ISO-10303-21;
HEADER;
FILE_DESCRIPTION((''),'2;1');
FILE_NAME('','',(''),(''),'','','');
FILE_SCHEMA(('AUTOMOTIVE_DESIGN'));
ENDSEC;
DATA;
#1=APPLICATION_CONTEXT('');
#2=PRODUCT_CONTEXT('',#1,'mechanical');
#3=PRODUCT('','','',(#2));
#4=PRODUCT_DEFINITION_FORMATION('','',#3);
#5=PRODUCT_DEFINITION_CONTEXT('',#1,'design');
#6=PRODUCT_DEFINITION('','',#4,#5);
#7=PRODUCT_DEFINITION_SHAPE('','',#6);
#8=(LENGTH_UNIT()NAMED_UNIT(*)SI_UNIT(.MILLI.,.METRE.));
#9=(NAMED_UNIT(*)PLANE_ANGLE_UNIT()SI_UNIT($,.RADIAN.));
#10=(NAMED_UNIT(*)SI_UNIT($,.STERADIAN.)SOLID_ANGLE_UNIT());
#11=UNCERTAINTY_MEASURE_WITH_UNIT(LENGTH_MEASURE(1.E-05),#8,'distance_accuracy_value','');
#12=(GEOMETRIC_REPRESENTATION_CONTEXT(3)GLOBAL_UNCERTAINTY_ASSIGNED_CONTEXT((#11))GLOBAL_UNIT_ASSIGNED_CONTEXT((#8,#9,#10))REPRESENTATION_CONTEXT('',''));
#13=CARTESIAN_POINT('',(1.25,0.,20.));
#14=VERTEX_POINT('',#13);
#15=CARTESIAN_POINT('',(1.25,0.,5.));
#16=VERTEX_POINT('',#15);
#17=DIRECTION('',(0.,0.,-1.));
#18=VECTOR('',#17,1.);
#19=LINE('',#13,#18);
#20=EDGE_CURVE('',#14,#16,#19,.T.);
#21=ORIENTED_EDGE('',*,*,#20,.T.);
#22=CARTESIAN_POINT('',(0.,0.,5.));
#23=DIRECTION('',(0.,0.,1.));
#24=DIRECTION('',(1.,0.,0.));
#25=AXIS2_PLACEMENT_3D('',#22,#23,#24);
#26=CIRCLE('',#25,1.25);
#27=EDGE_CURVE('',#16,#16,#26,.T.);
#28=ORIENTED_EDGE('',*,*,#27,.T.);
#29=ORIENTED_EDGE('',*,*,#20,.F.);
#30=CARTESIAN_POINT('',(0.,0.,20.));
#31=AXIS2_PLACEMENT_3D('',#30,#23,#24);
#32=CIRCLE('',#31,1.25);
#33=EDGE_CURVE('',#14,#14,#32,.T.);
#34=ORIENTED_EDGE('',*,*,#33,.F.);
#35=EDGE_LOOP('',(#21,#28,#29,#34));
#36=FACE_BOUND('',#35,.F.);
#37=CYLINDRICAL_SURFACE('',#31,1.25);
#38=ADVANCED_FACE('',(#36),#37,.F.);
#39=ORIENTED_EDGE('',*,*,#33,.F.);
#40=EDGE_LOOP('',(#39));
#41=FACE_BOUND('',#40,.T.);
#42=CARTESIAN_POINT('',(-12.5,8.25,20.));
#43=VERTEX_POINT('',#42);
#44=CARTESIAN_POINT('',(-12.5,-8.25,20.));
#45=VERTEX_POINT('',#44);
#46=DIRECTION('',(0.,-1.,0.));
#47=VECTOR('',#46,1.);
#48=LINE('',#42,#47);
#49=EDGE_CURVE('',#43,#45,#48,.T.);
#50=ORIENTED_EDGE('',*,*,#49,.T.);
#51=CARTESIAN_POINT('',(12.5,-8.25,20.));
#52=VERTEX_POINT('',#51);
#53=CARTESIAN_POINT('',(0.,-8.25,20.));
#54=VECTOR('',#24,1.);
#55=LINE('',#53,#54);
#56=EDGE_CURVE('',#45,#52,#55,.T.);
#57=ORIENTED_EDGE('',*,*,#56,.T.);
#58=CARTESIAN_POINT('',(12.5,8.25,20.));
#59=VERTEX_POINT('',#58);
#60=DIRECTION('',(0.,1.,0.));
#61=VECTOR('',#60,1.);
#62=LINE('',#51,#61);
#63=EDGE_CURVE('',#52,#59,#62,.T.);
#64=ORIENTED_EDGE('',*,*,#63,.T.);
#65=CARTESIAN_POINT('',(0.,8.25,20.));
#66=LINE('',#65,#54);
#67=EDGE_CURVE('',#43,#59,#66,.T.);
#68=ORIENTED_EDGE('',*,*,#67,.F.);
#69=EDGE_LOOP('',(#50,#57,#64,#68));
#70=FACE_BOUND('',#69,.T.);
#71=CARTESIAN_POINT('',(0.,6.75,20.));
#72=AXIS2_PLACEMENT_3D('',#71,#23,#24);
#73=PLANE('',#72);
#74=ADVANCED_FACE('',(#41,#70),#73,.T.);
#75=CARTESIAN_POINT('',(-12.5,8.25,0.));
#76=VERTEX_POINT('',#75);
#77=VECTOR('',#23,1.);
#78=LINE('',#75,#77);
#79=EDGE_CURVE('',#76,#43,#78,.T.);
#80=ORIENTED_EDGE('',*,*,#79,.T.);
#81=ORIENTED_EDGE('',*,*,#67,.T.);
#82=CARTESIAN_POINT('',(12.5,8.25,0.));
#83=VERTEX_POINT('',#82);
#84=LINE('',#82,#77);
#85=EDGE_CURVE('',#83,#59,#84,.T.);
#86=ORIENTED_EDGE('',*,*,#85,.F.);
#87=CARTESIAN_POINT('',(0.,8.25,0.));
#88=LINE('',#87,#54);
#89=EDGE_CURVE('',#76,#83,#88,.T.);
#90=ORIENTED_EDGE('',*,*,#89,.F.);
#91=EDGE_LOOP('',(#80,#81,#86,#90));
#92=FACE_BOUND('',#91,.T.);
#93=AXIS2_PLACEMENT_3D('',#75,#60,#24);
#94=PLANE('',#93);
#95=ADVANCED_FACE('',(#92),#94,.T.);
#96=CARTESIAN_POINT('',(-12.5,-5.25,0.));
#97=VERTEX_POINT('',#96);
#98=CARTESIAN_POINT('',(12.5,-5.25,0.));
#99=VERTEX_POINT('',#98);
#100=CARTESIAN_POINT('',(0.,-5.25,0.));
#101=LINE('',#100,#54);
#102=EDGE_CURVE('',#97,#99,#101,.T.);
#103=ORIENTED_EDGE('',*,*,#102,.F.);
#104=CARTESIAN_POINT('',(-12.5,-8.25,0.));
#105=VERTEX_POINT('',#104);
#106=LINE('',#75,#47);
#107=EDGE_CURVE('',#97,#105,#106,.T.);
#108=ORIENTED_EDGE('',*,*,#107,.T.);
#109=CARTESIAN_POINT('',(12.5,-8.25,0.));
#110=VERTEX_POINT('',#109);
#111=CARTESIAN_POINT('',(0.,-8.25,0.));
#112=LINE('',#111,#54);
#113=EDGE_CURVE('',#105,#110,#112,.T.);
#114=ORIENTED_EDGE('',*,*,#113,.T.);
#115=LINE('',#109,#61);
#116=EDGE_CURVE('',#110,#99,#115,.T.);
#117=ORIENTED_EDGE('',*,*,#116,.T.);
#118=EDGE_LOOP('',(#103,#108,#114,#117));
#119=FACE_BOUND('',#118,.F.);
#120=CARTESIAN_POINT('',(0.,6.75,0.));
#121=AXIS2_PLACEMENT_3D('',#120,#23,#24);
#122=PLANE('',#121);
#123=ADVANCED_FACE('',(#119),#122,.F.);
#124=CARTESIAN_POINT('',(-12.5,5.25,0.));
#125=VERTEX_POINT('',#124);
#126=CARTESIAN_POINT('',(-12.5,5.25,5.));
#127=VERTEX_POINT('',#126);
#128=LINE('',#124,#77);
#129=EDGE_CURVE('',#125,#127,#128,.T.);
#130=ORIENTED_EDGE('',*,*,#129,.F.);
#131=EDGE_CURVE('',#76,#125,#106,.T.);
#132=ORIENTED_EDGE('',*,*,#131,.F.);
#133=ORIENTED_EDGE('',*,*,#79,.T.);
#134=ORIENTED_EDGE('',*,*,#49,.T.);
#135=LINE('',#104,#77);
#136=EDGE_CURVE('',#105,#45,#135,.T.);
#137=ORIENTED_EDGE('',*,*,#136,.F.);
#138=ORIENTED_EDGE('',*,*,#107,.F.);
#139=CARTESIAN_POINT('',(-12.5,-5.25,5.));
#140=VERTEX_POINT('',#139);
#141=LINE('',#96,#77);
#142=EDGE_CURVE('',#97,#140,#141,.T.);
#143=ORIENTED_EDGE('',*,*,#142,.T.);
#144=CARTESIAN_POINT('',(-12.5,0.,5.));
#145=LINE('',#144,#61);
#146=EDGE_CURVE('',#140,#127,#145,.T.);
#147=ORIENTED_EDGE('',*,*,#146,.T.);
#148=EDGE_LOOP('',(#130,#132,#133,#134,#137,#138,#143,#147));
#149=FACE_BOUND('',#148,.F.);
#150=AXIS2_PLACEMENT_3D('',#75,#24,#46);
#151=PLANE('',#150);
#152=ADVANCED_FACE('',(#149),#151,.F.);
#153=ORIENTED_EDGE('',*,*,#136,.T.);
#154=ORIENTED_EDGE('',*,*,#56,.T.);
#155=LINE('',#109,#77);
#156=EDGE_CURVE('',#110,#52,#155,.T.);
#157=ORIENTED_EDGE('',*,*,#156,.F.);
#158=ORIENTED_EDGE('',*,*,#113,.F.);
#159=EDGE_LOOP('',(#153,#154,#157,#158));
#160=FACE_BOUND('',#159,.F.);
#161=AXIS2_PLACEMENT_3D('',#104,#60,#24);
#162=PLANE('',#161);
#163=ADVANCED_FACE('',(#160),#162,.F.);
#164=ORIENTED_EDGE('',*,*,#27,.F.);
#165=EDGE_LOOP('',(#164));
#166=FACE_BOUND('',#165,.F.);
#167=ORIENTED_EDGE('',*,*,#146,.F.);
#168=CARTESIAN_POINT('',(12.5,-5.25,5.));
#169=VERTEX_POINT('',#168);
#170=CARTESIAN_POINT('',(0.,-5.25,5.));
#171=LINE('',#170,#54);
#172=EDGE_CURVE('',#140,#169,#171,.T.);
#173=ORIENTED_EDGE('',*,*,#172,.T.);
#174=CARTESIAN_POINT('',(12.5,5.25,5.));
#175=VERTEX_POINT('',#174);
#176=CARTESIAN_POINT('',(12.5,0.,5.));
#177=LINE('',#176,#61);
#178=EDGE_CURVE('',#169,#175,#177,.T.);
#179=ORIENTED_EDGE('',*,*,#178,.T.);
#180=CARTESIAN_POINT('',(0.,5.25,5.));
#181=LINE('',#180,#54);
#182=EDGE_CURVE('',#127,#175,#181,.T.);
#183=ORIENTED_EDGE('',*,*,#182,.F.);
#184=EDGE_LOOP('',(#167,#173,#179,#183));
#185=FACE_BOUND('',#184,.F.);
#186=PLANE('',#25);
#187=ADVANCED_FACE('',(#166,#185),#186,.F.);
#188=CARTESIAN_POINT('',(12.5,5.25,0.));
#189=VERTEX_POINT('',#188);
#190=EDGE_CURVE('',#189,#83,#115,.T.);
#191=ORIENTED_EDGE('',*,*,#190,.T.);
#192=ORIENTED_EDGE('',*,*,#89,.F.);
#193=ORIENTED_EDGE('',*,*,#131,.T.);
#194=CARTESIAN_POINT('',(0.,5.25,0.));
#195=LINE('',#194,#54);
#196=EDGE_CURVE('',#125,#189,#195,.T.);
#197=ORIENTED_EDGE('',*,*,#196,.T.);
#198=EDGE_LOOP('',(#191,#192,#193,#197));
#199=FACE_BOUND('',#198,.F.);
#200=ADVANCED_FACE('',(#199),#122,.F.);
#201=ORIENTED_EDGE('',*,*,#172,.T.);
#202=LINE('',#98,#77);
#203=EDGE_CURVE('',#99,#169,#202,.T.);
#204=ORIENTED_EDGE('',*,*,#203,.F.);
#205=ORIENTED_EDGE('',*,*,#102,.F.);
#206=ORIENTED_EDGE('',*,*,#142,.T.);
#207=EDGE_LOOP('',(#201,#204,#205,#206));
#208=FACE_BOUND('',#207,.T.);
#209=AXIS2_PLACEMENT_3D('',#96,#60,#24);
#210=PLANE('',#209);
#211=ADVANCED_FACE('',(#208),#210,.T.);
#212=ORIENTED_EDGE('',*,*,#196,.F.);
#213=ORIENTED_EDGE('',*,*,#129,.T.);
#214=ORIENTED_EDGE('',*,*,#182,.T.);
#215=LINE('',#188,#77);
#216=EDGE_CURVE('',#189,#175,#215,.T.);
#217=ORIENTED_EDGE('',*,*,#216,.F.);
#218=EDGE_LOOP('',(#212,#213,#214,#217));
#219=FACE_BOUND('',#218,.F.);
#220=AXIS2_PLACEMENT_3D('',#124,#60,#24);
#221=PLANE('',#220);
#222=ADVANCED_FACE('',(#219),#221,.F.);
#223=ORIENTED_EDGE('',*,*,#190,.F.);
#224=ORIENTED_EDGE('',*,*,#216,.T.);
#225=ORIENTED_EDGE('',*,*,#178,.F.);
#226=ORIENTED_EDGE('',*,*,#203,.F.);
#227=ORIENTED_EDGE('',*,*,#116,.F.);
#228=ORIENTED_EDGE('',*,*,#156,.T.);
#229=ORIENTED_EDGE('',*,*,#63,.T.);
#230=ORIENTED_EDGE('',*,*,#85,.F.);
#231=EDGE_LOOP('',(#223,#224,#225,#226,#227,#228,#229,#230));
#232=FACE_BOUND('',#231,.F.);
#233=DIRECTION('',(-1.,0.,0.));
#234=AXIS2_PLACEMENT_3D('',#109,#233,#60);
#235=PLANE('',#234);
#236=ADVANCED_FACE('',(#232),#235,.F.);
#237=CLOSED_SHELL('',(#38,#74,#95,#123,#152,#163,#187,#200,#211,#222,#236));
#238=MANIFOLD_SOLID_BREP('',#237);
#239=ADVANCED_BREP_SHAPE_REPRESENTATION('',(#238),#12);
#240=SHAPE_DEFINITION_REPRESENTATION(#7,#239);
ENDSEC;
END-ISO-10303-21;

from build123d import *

# Parameters (mm, degrees)
F0_W     = 25
F0_H     = 3
F0_H_2   = 10.5
F1_DEPTH = 20
F2_DEPTH = 5
F3_R     = 1.25
F4_DEPTH = 20.001


with BuildPart() as f1:
    # F0 (on Top) → F1 (new body)
    with BuildSketch(Plane.XY):
        with Locations((0, 6.75)):
            Rectangle(F0_W, F0_H)
        Rectangle(F0_W, F0_H_2)
        with Locations((0, -6.75)):
            Rectangle(F0_W, F0_H)
    extrude(amount=F1_DEPTH)

    # F0 (on Top) → F2 (cut)
    with BuildSketch(Plane.XY):
        Rectangle(F0_W, F0_H_2)
    extrude(amount=F2_DEPTH, mode=Mode.SUBTRACT)

    # F3 (on face) → F4 (cut, through all)
    with BuildSketch(Plane.XY.offset(20)):
        Circle(F3_R)
    extrude(amount=-F4_DEPTH, mode=Mode.SUBTRACT)


solid = f1.part
